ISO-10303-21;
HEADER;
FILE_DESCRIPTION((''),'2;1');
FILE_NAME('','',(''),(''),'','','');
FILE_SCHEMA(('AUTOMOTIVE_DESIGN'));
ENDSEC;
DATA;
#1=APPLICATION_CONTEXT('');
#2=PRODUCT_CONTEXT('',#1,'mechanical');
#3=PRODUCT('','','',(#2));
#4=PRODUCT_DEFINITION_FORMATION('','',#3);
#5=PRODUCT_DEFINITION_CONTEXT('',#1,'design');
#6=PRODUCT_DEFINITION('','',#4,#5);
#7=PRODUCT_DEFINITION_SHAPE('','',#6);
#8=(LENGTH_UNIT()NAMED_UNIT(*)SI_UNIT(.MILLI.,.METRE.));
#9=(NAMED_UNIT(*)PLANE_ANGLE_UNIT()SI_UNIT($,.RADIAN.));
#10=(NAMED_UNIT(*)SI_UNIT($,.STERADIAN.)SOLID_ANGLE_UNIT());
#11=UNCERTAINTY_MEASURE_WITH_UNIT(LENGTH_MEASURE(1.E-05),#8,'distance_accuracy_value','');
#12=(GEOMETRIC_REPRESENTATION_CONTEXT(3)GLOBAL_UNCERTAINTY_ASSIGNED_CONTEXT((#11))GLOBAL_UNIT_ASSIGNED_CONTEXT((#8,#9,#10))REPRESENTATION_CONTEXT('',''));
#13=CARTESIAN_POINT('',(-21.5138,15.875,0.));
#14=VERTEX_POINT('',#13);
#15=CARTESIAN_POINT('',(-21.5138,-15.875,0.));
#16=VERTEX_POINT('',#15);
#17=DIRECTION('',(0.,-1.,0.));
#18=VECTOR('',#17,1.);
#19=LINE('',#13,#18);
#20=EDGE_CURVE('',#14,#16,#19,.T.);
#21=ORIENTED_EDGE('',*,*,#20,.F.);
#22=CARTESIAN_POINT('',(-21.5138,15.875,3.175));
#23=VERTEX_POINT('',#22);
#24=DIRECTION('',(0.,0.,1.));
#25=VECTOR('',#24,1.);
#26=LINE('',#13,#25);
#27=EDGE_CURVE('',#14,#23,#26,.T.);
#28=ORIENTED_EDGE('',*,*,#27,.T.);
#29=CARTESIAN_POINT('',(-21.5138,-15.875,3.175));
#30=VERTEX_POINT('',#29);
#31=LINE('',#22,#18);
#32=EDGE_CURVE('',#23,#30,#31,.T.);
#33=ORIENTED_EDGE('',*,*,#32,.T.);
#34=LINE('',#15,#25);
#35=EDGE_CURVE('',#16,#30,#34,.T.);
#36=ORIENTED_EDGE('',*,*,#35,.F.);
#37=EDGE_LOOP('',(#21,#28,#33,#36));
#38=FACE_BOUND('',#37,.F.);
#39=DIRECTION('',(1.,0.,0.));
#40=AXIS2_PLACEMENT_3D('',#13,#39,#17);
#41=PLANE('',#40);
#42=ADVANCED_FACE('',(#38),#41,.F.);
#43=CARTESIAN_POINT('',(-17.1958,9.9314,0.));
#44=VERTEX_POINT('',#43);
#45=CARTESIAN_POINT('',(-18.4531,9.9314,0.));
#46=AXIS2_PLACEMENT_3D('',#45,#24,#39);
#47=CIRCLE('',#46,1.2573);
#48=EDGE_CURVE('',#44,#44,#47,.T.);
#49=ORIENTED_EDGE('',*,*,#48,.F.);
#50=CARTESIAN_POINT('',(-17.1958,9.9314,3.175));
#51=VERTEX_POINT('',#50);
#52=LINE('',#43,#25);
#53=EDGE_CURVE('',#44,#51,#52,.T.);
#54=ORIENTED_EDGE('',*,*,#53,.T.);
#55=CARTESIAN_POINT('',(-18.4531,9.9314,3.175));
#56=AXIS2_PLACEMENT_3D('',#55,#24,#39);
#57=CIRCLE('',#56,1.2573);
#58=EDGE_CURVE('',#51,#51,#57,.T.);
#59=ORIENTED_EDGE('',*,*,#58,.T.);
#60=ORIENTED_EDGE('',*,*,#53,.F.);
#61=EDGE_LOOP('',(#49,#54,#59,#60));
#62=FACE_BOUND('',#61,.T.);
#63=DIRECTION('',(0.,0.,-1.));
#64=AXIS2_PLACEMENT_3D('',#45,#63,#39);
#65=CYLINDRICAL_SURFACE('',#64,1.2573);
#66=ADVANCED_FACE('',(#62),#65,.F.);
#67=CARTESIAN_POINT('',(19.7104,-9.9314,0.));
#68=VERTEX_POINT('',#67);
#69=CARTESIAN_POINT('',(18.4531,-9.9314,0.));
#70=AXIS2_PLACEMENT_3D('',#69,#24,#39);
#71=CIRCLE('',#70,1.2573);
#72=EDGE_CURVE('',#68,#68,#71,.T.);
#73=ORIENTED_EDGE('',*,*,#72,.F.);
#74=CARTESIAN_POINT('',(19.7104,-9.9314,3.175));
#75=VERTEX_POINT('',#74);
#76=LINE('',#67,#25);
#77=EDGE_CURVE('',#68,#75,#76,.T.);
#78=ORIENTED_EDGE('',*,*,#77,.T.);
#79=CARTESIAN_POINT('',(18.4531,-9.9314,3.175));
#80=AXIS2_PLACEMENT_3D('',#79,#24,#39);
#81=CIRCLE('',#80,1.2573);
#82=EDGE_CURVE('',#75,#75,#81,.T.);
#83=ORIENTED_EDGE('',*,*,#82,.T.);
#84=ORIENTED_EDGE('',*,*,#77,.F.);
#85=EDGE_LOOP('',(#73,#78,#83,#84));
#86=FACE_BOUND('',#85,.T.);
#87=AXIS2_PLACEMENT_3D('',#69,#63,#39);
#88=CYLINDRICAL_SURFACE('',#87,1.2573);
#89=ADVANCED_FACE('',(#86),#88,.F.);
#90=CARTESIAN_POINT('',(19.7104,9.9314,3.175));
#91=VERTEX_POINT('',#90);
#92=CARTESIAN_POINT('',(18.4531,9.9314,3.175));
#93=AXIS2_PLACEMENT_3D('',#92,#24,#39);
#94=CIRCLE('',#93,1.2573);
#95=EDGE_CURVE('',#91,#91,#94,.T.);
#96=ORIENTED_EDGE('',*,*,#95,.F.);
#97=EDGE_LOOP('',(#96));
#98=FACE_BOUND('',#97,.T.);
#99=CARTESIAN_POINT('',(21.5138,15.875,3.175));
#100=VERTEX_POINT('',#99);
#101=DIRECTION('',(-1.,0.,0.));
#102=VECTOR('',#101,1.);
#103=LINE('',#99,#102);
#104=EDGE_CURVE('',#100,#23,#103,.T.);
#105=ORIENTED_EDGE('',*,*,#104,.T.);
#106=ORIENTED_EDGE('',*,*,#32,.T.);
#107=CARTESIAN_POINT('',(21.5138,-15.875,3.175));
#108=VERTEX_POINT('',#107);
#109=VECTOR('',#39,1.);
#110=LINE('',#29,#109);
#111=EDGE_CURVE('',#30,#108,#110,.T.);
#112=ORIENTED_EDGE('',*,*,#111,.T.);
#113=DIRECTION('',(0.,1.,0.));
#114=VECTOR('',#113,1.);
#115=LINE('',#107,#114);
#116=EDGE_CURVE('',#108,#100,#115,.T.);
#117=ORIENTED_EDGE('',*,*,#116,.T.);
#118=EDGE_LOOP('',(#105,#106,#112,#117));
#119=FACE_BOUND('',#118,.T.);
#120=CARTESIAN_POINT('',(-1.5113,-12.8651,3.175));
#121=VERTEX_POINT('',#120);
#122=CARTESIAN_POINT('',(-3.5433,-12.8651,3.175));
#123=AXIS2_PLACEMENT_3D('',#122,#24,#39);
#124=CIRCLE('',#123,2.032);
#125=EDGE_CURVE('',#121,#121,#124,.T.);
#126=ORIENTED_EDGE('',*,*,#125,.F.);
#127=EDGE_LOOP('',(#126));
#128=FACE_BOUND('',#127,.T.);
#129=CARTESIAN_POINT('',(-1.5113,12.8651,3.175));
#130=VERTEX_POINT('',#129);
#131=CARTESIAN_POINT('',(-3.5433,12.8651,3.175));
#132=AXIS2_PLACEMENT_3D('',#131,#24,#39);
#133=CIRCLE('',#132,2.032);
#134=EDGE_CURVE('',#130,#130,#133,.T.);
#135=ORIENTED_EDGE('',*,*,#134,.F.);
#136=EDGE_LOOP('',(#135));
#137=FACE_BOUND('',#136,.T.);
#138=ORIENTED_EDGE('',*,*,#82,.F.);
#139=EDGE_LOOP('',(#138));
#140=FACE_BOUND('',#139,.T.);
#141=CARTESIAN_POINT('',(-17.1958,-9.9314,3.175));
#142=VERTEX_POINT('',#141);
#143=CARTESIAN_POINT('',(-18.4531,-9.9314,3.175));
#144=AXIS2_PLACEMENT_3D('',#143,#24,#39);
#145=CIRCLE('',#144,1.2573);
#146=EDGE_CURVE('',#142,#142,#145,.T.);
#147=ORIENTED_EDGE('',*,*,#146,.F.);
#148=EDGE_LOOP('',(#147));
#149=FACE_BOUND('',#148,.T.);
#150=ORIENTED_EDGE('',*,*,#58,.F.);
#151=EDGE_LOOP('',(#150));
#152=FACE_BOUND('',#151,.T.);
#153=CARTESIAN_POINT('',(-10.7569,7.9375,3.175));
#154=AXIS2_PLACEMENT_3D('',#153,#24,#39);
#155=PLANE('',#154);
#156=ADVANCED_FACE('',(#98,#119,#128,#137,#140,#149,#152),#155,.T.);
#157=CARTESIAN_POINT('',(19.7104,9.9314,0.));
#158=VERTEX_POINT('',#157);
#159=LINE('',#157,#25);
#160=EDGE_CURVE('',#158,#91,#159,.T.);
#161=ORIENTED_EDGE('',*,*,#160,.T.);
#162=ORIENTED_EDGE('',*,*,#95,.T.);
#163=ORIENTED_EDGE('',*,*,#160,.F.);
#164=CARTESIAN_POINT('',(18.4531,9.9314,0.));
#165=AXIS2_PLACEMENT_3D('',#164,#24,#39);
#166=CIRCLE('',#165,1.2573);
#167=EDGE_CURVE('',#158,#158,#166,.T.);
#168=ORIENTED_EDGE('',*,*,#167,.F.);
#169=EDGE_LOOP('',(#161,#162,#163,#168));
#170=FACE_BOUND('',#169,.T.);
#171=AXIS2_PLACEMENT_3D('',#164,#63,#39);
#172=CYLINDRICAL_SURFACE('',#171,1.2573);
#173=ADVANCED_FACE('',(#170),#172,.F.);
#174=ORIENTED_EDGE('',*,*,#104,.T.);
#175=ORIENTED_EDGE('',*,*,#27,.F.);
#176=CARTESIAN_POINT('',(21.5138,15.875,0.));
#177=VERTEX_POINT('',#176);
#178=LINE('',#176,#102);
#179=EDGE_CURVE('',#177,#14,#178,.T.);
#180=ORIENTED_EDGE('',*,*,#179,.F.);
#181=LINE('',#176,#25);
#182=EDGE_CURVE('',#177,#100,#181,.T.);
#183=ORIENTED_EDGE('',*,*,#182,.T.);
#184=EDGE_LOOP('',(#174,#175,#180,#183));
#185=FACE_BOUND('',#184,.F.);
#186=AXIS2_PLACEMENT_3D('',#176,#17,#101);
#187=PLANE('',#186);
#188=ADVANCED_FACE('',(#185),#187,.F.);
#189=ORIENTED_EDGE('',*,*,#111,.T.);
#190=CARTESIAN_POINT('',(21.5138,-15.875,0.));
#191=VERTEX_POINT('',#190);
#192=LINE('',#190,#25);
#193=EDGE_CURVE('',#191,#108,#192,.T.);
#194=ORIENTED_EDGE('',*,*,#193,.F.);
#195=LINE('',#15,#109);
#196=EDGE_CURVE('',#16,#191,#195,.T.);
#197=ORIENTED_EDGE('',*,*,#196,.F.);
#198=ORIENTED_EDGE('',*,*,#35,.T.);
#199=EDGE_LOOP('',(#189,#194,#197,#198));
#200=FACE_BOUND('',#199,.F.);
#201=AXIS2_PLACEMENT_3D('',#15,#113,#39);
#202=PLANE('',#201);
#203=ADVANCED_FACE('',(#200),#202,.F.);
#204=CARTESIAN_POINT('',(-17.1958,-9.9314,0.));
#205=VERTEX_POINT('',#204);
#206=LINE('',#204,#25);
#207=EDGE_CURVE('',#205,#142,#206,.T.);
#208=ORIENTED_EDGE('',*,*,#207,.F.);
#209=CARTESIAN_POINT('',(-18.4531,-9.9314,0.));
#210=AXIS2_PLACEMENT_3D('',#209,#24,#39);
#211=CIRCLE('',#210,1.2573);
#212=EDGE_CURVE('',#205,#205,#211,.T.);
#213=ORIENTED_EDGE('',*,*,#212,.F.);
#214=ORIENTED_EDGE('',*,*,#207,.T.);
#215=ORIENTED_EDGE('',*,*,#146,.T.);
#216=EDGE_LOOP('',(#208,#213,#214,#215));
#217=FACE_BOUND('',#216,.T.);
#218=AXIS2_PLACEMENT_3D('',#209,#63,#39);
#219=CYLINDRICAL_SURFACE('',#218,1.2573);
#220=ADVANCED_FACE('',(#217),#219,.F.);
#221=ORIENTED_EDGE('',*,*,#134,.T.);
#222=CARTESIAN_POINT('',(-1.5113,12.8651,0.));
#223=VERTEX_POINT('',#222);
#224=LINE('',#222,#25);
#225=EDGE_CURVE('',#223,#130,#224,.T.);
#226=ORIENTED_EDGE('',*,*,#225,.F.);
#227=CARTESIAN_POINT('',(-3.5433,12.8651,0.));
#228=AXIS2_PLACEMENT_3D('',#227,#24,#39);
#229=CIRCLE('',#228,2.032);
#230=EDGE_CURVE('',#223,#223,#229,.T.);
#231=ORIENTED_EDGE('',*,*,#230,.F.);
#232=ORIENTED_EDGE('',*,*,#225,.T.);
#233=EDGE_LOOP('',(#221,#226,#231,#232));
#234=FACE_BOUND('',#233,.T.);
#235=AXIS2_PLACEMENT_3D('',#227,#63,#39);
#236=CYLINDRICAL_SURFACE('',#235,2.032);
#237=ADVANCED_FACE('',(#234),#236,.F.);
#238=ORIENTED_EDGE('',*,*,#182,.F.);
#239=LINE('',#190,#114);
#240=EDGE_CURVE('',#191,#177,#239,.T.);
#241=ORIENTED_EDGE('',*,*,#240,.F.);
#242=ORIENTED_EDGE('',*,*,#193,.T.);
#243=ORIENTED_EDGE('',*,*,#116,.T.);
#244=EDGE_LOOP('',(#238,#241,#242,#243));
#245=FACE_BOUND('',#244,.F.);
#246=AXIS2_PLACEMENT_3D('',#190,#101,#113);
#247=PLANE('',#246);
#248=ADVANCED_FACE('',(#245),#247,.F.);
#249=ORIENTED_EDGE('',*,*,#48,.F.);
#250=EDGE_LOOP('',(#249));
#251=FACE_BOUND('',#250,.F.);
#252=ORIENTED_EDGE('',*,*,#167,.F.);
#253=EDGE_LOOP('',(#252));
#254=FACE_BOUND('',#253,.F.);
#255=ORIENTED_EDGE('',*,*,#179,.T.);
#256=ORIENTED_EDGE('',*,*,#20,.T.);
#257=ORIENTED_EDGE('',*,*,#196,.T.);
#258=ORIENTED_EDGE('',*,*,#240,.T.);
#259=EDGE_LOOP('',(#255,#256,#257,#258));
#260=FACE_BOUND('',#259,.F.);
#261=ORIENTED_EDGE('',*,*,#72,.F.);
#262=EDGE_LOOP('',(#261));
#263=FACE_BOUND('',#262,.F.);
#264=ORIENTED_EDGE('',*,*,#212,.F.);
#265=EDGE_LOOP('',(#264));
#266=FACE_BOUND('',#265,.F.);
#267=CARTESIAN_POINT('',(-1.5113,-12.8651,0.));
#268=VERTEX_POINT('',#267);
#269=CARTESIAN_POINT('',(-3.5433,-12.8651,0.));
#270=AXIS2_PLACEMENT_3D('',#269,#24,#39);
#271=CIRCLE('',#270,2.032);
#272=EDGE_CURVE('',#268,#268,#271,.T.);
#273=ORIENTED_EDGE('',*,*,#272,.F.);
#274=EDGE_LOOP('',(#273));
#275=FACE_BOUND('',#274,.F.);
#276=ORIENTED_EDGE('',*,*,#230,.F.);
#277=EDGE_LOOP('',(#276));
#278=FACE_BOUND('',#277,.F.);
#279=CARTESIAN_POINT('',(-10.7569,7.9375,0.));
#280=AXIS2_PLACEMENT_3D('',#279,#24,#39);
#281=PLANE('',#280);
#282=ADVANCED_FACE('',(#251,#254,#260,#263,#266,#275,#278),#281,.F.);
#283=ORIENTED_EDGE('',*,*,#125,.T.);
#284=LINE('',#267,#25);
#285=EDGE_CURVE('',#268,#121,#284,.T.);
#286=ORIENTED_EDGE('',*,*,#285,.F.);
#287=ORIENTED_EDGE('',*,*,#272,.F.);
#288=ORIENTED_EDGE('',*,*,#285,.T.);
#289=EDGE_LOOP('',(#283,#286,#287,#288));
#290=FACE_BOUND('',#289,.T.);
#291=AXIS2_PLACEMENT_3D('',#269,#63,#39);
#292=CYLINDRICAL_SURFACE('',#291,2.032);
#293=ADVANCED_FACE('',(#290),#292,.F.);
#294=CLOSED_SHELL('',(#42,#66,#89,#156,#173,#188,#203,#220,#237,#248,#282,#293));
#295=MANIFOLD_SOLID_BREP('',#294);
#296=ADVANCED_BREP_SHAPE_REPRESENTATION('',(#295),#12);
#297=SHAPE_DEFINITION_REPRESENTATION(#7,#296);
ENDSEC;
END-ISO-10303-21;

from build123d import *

# Parameters (mm, degrees)
F0_W     = 21.5138
F0_H     = 15.875
F0_R     = 1.2573
F0_R_2   = 2.032
F1_DEPTH = 3.175


with BuildPart() as f1:
    # F0 (on Top) → F1 (new body)
    with BuildSketch(Plane.XY):
        with Locations((-10.7569, 7.9375)):
            Rectangle(F0_W, F0_H)
        with Locations((-18.4531, 9.9314)):
            Circle(F0_R, mode=Mode.SUBTRACT)
        with Locations((-3.5433, 12.8651)):
            Circle(F0_R_2, mode=Mode.SUBTRACT)
        with Locations((-10.7569, -7.9375)):
            Rectangle(F0_W, F0_H)
        with Locations((-18.4531, -9.9314)):
            Circle(F0_R, mode=Mode.SUBTRACT)
        with Locations((-3.5433, -12.8651)):
            Circle(F0_R_2, mode=Mode.SUBTRACT)
        with Locations((10.7569, -7.9375)):
            Rectangle(F0_W, F0_H)
        with Locations((18.4531, -9.9314)):
            Circle(F0_R, mode=Mode.SUBTRACT)
        with Locations((10.7569, 7.9375)):
            Rectangle(F0_W, F0_H)
        with Locations((18.4531, 9.9314)):
            Circle(F0_R, mode=Mode.SUBTRACT)
    extrude(amount=F1_DEPTH)


solid = f1.part
